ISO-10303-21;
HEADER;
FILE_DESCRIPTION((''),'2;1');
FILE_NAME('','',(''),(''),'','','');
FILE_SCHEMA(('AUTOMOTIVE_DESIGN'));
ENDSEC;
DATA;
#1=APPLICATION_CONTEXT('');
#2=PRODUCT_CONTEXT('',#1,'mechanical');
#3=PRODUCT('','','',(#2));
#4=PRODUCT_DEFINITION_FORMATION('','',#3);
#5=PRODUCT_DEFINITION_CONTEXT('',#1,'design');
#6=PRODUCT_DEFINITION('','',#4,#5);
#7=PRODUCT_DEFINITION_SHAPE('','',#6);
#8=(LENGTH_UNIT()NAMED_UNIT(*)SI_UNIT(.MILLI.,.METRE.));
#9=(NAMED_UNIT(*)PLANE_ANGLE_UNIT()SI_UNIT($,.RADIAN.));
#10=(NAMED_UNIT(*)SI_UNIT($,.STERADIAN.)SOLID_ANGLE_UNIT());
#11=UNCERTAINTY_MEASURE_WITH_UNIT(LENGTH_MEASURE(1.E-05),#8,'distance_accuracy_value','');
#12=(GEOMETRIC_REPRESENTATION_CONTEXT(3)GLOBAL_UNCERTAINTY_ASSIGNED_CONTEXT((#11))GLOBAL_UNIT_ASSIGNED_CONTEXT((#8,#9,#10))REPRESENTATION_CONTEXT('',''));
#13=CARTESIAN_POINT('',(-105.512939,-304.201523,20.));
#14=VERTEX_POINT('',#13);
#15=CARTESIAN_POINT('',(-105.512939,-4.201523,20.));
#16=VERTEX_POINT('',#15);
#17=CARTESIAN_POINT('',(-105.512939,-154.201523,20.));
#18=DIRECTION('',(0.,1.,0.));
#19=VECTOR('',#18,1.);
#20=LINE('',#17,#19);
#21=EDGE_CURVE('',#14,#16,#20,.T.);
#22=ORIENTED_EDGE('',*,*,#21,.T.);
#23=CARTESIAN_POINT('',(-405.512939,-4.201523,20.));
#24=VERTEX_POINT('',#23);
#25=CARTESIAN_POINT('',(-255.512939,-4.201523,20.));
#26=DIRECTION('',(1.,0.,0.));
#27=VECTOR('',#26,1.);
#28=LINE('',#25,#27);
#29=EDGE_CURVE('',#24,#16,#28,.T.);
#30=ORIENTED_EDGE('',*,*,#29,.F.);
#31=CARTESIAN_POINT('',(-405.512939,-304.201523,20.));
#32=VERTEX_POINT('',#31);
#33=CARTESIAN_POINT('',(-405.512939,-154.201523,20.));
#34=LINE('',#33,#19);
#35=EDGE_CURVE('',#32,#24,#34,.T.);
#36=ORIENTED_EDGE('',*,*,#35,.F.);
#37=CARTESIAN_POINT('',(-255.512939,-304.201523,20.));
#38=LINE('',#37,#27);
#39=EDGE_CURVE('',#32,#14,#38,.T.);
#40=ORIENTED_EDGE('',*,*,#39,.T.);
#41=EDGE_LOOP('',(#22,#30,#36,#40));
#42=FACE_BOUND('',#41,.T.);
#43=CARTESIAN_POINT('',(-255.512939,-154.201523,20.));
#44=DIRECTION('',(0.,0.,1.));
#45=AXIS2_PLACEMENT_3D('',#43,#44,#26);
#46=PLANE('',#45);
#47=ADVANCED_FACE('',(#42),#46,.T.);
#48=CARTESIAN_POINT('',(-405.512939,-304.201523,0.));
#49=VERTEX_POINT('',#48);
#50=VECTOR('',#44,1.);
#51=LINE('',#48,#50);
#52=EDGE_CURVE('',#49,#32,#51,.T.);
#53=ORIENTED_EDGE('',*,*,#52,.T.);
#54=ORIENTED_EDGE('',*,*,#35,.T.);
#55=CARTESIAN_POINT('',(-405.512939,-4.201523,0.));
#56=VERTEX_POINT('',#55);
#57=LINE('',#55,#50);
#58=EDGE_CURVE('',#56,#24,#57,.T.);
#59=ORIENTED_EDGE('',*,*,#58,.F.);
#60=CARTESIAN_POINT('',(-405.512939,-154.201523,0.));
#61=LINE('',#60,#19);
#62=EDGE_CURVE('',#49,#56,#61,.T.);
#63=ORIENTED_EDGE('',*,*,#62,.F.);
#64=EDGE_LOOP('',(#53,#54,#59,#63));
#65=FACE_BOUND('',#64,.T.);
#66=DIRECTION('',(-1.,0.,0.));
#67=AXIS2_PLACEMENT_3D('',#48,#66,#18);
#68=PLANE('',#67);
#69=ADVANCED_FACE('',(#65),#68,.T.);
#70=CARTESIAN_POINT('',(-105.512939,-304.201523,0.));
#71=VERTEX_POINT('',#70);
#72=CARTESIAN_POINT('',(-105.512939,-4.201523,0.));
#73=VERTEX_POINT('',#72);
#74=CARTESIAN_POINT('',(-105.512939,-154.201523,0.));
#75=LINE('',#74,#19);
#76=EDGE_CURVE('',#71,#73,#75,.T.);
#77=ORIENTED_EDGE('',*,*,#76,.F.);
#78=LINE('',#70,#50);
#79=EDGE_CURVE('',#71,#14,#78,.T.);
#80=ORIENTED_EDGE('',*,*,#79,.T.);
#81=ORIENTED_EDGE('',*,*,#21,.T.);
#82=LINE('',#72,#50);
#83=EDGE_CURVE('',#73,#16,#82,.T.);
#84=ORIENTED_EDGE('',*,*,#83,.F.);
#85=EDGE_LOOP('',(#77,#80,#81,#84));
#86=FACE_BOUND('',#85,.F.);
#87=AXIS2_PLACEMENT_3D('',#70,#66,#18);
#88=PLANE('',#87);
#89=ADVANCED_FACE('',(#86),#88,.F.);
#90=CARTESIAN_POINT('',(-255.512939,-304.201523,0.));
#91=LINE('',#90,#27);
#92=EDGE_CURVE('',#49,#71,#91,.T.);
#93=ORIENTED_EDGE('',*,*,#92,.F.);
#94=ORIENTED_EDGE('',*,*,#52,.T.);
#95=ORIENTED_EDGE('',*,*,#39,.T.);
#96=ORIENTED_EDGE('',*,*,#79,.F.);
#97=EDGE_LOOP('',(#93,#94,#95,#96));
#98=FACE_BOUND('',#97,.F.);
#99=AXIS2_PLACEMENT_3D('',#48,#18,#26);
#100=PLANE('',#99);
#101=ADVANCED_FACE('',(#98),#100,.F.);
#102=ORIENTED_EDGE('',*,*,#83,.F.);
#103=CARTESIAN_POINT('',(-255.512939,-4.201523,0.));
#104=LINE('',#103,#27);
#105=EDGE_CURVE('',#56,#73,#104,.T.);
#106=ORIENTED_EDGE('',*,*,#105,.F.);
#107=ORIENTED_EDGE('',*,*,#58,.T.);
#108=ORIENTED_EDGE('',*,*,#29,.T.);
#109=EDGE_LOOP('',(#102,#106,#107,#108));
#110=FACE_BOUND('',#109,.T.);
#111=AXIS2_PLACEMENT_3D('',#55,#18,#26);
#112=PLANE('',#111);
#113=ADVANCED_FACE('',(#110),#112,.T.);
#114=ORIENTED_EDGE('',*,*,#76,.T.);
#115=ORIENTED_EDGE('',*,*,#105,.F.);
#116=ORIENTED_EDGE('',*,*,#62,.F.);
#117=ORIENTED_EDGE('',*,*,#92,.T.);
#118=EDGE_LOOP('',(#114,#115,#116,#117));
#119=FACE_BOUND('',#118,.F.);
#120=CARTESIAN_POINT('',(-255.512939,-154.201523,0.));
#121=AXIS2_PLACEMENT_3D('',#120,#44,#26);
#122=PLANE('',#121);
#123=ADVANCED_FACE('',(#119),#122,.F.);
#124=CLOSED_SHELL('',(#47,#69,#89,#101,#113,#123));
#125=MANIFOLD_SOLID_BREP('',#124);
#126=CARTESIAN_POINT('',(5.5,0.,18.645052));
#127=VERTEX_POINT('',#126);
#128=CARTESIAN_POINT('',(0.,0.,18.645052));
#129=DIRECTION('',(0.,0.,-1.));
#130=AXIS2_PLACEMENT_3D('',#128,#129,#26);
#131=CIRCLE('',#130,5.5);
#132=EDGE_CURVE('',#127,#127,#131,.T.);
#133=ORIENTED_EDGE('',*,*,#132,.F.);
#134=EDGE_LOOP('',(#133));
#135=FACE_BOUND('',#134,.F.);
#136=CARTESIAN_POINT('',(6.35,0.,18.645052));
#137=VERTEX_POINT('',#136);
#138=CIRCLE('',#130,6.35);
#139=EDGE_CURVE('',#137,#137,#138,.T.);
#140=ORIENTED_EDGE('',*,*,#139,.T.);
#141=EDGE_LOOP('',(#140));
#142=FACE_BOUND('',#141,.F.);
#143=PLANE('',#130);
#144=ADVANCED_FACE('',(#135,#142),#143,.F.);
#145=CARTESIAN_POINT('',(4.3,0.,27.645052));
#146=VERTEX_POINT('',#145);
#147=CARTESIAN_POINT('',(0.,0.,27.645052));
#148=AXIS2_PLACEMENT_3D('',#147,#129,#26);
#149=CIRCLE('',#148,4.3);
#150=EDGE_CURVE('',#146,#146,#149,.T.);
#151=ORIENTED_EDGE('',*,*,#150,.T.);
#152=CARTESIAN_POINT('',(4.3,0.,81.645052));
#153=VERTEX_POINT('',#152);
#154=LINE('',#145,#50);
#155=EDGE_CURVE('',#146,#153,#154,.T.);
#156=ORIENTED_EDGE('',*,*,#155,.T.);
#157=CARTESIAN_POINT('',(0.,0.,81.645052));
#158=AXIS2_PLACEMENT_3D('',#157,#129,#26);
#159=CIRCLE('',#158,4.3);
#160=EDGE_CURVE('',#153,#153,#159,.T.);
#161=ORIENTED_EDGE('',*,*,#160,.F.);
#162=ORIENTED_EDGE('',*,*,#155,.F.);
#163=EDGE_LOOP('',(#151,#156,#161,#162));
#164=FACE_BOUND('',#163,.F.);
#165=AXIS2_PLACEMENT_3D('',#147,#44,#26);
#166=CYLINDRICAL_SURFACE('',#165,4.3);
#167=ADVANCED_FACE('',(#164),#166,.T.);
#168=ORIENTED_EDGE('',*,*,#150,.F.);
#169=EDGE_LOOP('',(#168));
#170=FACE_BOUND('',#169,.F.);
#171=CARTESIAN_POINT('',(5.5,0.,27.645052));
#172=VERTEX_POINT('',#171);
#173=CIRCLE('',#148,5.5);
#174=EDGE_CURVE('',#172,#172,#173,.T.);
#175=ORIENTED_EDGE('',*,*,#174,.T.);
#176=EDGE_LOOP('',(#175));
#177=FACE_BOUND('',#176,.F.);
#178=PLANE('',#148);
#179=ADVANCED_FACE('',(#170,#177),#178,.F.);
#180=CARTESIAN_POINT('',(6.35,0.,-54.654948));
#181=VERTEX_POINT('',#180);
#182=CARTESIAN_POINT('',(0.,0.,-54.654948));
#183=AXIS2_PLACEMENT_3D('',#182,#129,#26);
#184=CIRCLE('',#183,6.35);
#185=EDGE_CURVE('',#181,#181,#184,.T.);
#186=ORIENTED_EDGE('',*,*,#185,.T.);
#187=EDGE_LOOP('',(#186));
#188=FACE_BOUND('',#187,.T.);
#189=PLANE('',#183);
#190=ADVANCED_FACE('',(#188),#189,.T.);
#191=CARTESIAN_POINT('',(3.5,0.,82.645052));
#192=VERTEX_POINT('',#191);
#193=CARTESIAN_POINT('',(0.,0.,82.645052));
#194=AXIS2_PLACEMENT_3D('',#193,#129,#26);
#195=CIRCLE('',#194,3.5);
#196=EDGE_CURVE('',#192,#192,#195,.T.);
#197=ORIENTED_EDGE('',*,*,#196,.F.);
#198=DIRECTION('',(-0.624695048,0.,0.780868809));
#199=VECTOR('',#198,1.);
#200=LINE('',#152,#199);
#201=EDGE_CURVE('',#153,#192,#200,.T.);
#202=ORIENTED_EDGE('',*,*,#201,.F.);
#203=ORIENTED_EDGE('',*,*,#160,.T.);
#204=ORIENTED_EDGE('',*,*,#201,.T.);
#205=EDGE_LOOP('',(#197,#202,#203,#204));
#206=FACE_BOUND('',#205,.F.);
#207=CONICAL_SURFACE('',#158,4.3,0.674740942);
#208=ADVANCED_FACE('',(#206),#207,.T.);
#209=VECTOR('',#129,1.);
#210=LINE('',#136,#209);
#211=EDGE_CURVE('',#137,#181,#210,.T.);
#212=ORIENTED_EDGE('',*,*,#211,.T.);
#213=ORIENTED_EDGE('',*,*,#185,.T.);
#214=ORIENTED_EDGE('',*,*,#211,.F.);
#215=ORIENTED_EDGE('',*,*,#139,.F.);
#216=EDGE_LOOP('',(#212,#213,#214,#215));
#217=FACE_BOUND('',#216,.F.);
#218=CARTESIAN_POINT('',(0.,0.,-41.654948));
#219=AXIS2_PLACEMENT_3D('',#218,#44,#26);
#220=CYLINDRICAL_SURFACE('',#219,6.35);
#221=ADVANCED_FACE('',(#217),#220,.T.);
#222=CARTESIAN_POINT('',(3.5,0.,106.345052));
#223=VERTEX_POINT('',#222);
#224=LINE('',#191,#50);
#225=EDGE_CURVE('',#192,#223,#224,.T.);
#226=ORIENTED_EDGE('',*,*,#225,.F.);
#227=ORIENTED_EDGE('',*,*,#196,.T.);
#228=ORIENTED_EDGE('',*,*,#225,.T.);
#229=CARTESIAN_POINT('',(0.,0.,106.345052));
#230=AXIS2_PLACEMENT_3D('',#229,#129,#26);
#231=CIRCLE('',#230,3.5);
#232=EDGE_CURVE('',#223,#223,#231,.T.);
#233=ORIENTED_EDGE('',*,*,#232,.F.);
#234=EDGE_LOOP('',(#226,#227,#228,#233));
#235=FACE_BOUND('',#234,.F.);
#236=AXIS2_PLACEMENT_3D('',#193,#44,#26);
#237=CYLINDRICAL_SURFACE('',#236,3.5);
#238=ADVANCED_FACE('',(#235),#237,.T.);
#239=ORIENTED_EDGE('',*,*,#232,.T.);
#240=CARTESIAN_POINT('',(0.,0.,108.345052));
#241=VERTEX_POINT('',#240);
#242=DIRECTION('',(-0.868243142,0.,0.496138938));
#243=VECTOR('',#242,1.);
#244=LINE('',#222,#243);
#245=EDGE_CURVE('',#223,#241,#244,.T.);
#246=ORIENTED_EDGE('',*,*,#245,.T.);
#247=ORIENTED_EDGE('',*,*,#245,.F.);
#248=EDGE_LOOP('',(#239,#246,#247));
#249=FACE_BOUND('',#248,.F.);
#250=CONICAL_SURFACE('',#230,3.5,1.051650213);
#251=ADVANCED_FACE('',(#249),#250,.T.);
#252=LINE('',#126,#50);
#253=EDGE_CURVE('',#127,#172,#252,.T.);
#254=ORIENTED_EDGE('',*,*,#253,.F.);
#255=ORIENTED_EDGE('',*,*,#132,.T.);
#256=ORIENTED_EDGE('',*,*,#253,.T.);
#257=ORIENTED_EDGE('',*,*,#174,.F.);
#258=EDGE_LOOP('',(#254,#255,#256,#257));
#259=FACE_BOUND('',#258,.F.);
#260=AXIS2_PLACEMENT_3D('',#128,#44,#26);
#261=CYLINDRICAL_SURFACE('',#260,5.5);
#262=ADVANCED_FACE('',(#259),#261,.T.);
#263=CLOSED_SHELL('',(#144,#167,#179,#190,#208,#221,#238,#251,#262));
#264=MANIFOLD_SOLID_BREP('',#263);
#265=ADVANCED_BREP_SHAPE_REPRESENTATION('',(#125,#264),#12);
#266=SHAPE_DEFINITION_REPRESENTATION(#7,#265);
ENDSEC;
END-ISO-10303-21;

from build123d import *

# Parameters (mm, degrees)
F2_W      = 300
F2_H      = 300
F3_DEPTH  = 20
F1_FACE_R = 6.35
F4_DEPTH  = 13


with BuildPart() as f1:
    # F0 (on Front) → F1 (revolve)
    with BuildSketch(Plane.XZ):
        Polygon((3.5, 106.345052), (0, 108.345052), (0, -41.654948), (6.35, -41.654948), (6.35, 18.645052), (5.5, 18.645052), (5.5, 27.645052), (4.3, 27.645052), (4.3, 81.645052), (3.5, 82.645052), align=None)
    revolve(axis=Axis((0, 0, 33.345052), (0, 0, -1)))

    # F1_face (on face) → F4 (join)
    with BuildSketch(Plane(origin=(0, 0, -41.654948), x_dir=(1, 0, 0), z_dir=(0, 0, -1))):
        Circle(F1_FACE_R)
    extrude(amount=F4_DEPTH)


with BuildPart() as f3:
    # F2 (on Top) → F3 (new body)
    with BuildSketch(Plane.XY):
        with Locations((-255.512939, -154.201523)):
            Rectangle(F2_W, F2_H)
    extrude(amount=F3_DEPTH)


solid = Compound([f1.part, f3.part])
